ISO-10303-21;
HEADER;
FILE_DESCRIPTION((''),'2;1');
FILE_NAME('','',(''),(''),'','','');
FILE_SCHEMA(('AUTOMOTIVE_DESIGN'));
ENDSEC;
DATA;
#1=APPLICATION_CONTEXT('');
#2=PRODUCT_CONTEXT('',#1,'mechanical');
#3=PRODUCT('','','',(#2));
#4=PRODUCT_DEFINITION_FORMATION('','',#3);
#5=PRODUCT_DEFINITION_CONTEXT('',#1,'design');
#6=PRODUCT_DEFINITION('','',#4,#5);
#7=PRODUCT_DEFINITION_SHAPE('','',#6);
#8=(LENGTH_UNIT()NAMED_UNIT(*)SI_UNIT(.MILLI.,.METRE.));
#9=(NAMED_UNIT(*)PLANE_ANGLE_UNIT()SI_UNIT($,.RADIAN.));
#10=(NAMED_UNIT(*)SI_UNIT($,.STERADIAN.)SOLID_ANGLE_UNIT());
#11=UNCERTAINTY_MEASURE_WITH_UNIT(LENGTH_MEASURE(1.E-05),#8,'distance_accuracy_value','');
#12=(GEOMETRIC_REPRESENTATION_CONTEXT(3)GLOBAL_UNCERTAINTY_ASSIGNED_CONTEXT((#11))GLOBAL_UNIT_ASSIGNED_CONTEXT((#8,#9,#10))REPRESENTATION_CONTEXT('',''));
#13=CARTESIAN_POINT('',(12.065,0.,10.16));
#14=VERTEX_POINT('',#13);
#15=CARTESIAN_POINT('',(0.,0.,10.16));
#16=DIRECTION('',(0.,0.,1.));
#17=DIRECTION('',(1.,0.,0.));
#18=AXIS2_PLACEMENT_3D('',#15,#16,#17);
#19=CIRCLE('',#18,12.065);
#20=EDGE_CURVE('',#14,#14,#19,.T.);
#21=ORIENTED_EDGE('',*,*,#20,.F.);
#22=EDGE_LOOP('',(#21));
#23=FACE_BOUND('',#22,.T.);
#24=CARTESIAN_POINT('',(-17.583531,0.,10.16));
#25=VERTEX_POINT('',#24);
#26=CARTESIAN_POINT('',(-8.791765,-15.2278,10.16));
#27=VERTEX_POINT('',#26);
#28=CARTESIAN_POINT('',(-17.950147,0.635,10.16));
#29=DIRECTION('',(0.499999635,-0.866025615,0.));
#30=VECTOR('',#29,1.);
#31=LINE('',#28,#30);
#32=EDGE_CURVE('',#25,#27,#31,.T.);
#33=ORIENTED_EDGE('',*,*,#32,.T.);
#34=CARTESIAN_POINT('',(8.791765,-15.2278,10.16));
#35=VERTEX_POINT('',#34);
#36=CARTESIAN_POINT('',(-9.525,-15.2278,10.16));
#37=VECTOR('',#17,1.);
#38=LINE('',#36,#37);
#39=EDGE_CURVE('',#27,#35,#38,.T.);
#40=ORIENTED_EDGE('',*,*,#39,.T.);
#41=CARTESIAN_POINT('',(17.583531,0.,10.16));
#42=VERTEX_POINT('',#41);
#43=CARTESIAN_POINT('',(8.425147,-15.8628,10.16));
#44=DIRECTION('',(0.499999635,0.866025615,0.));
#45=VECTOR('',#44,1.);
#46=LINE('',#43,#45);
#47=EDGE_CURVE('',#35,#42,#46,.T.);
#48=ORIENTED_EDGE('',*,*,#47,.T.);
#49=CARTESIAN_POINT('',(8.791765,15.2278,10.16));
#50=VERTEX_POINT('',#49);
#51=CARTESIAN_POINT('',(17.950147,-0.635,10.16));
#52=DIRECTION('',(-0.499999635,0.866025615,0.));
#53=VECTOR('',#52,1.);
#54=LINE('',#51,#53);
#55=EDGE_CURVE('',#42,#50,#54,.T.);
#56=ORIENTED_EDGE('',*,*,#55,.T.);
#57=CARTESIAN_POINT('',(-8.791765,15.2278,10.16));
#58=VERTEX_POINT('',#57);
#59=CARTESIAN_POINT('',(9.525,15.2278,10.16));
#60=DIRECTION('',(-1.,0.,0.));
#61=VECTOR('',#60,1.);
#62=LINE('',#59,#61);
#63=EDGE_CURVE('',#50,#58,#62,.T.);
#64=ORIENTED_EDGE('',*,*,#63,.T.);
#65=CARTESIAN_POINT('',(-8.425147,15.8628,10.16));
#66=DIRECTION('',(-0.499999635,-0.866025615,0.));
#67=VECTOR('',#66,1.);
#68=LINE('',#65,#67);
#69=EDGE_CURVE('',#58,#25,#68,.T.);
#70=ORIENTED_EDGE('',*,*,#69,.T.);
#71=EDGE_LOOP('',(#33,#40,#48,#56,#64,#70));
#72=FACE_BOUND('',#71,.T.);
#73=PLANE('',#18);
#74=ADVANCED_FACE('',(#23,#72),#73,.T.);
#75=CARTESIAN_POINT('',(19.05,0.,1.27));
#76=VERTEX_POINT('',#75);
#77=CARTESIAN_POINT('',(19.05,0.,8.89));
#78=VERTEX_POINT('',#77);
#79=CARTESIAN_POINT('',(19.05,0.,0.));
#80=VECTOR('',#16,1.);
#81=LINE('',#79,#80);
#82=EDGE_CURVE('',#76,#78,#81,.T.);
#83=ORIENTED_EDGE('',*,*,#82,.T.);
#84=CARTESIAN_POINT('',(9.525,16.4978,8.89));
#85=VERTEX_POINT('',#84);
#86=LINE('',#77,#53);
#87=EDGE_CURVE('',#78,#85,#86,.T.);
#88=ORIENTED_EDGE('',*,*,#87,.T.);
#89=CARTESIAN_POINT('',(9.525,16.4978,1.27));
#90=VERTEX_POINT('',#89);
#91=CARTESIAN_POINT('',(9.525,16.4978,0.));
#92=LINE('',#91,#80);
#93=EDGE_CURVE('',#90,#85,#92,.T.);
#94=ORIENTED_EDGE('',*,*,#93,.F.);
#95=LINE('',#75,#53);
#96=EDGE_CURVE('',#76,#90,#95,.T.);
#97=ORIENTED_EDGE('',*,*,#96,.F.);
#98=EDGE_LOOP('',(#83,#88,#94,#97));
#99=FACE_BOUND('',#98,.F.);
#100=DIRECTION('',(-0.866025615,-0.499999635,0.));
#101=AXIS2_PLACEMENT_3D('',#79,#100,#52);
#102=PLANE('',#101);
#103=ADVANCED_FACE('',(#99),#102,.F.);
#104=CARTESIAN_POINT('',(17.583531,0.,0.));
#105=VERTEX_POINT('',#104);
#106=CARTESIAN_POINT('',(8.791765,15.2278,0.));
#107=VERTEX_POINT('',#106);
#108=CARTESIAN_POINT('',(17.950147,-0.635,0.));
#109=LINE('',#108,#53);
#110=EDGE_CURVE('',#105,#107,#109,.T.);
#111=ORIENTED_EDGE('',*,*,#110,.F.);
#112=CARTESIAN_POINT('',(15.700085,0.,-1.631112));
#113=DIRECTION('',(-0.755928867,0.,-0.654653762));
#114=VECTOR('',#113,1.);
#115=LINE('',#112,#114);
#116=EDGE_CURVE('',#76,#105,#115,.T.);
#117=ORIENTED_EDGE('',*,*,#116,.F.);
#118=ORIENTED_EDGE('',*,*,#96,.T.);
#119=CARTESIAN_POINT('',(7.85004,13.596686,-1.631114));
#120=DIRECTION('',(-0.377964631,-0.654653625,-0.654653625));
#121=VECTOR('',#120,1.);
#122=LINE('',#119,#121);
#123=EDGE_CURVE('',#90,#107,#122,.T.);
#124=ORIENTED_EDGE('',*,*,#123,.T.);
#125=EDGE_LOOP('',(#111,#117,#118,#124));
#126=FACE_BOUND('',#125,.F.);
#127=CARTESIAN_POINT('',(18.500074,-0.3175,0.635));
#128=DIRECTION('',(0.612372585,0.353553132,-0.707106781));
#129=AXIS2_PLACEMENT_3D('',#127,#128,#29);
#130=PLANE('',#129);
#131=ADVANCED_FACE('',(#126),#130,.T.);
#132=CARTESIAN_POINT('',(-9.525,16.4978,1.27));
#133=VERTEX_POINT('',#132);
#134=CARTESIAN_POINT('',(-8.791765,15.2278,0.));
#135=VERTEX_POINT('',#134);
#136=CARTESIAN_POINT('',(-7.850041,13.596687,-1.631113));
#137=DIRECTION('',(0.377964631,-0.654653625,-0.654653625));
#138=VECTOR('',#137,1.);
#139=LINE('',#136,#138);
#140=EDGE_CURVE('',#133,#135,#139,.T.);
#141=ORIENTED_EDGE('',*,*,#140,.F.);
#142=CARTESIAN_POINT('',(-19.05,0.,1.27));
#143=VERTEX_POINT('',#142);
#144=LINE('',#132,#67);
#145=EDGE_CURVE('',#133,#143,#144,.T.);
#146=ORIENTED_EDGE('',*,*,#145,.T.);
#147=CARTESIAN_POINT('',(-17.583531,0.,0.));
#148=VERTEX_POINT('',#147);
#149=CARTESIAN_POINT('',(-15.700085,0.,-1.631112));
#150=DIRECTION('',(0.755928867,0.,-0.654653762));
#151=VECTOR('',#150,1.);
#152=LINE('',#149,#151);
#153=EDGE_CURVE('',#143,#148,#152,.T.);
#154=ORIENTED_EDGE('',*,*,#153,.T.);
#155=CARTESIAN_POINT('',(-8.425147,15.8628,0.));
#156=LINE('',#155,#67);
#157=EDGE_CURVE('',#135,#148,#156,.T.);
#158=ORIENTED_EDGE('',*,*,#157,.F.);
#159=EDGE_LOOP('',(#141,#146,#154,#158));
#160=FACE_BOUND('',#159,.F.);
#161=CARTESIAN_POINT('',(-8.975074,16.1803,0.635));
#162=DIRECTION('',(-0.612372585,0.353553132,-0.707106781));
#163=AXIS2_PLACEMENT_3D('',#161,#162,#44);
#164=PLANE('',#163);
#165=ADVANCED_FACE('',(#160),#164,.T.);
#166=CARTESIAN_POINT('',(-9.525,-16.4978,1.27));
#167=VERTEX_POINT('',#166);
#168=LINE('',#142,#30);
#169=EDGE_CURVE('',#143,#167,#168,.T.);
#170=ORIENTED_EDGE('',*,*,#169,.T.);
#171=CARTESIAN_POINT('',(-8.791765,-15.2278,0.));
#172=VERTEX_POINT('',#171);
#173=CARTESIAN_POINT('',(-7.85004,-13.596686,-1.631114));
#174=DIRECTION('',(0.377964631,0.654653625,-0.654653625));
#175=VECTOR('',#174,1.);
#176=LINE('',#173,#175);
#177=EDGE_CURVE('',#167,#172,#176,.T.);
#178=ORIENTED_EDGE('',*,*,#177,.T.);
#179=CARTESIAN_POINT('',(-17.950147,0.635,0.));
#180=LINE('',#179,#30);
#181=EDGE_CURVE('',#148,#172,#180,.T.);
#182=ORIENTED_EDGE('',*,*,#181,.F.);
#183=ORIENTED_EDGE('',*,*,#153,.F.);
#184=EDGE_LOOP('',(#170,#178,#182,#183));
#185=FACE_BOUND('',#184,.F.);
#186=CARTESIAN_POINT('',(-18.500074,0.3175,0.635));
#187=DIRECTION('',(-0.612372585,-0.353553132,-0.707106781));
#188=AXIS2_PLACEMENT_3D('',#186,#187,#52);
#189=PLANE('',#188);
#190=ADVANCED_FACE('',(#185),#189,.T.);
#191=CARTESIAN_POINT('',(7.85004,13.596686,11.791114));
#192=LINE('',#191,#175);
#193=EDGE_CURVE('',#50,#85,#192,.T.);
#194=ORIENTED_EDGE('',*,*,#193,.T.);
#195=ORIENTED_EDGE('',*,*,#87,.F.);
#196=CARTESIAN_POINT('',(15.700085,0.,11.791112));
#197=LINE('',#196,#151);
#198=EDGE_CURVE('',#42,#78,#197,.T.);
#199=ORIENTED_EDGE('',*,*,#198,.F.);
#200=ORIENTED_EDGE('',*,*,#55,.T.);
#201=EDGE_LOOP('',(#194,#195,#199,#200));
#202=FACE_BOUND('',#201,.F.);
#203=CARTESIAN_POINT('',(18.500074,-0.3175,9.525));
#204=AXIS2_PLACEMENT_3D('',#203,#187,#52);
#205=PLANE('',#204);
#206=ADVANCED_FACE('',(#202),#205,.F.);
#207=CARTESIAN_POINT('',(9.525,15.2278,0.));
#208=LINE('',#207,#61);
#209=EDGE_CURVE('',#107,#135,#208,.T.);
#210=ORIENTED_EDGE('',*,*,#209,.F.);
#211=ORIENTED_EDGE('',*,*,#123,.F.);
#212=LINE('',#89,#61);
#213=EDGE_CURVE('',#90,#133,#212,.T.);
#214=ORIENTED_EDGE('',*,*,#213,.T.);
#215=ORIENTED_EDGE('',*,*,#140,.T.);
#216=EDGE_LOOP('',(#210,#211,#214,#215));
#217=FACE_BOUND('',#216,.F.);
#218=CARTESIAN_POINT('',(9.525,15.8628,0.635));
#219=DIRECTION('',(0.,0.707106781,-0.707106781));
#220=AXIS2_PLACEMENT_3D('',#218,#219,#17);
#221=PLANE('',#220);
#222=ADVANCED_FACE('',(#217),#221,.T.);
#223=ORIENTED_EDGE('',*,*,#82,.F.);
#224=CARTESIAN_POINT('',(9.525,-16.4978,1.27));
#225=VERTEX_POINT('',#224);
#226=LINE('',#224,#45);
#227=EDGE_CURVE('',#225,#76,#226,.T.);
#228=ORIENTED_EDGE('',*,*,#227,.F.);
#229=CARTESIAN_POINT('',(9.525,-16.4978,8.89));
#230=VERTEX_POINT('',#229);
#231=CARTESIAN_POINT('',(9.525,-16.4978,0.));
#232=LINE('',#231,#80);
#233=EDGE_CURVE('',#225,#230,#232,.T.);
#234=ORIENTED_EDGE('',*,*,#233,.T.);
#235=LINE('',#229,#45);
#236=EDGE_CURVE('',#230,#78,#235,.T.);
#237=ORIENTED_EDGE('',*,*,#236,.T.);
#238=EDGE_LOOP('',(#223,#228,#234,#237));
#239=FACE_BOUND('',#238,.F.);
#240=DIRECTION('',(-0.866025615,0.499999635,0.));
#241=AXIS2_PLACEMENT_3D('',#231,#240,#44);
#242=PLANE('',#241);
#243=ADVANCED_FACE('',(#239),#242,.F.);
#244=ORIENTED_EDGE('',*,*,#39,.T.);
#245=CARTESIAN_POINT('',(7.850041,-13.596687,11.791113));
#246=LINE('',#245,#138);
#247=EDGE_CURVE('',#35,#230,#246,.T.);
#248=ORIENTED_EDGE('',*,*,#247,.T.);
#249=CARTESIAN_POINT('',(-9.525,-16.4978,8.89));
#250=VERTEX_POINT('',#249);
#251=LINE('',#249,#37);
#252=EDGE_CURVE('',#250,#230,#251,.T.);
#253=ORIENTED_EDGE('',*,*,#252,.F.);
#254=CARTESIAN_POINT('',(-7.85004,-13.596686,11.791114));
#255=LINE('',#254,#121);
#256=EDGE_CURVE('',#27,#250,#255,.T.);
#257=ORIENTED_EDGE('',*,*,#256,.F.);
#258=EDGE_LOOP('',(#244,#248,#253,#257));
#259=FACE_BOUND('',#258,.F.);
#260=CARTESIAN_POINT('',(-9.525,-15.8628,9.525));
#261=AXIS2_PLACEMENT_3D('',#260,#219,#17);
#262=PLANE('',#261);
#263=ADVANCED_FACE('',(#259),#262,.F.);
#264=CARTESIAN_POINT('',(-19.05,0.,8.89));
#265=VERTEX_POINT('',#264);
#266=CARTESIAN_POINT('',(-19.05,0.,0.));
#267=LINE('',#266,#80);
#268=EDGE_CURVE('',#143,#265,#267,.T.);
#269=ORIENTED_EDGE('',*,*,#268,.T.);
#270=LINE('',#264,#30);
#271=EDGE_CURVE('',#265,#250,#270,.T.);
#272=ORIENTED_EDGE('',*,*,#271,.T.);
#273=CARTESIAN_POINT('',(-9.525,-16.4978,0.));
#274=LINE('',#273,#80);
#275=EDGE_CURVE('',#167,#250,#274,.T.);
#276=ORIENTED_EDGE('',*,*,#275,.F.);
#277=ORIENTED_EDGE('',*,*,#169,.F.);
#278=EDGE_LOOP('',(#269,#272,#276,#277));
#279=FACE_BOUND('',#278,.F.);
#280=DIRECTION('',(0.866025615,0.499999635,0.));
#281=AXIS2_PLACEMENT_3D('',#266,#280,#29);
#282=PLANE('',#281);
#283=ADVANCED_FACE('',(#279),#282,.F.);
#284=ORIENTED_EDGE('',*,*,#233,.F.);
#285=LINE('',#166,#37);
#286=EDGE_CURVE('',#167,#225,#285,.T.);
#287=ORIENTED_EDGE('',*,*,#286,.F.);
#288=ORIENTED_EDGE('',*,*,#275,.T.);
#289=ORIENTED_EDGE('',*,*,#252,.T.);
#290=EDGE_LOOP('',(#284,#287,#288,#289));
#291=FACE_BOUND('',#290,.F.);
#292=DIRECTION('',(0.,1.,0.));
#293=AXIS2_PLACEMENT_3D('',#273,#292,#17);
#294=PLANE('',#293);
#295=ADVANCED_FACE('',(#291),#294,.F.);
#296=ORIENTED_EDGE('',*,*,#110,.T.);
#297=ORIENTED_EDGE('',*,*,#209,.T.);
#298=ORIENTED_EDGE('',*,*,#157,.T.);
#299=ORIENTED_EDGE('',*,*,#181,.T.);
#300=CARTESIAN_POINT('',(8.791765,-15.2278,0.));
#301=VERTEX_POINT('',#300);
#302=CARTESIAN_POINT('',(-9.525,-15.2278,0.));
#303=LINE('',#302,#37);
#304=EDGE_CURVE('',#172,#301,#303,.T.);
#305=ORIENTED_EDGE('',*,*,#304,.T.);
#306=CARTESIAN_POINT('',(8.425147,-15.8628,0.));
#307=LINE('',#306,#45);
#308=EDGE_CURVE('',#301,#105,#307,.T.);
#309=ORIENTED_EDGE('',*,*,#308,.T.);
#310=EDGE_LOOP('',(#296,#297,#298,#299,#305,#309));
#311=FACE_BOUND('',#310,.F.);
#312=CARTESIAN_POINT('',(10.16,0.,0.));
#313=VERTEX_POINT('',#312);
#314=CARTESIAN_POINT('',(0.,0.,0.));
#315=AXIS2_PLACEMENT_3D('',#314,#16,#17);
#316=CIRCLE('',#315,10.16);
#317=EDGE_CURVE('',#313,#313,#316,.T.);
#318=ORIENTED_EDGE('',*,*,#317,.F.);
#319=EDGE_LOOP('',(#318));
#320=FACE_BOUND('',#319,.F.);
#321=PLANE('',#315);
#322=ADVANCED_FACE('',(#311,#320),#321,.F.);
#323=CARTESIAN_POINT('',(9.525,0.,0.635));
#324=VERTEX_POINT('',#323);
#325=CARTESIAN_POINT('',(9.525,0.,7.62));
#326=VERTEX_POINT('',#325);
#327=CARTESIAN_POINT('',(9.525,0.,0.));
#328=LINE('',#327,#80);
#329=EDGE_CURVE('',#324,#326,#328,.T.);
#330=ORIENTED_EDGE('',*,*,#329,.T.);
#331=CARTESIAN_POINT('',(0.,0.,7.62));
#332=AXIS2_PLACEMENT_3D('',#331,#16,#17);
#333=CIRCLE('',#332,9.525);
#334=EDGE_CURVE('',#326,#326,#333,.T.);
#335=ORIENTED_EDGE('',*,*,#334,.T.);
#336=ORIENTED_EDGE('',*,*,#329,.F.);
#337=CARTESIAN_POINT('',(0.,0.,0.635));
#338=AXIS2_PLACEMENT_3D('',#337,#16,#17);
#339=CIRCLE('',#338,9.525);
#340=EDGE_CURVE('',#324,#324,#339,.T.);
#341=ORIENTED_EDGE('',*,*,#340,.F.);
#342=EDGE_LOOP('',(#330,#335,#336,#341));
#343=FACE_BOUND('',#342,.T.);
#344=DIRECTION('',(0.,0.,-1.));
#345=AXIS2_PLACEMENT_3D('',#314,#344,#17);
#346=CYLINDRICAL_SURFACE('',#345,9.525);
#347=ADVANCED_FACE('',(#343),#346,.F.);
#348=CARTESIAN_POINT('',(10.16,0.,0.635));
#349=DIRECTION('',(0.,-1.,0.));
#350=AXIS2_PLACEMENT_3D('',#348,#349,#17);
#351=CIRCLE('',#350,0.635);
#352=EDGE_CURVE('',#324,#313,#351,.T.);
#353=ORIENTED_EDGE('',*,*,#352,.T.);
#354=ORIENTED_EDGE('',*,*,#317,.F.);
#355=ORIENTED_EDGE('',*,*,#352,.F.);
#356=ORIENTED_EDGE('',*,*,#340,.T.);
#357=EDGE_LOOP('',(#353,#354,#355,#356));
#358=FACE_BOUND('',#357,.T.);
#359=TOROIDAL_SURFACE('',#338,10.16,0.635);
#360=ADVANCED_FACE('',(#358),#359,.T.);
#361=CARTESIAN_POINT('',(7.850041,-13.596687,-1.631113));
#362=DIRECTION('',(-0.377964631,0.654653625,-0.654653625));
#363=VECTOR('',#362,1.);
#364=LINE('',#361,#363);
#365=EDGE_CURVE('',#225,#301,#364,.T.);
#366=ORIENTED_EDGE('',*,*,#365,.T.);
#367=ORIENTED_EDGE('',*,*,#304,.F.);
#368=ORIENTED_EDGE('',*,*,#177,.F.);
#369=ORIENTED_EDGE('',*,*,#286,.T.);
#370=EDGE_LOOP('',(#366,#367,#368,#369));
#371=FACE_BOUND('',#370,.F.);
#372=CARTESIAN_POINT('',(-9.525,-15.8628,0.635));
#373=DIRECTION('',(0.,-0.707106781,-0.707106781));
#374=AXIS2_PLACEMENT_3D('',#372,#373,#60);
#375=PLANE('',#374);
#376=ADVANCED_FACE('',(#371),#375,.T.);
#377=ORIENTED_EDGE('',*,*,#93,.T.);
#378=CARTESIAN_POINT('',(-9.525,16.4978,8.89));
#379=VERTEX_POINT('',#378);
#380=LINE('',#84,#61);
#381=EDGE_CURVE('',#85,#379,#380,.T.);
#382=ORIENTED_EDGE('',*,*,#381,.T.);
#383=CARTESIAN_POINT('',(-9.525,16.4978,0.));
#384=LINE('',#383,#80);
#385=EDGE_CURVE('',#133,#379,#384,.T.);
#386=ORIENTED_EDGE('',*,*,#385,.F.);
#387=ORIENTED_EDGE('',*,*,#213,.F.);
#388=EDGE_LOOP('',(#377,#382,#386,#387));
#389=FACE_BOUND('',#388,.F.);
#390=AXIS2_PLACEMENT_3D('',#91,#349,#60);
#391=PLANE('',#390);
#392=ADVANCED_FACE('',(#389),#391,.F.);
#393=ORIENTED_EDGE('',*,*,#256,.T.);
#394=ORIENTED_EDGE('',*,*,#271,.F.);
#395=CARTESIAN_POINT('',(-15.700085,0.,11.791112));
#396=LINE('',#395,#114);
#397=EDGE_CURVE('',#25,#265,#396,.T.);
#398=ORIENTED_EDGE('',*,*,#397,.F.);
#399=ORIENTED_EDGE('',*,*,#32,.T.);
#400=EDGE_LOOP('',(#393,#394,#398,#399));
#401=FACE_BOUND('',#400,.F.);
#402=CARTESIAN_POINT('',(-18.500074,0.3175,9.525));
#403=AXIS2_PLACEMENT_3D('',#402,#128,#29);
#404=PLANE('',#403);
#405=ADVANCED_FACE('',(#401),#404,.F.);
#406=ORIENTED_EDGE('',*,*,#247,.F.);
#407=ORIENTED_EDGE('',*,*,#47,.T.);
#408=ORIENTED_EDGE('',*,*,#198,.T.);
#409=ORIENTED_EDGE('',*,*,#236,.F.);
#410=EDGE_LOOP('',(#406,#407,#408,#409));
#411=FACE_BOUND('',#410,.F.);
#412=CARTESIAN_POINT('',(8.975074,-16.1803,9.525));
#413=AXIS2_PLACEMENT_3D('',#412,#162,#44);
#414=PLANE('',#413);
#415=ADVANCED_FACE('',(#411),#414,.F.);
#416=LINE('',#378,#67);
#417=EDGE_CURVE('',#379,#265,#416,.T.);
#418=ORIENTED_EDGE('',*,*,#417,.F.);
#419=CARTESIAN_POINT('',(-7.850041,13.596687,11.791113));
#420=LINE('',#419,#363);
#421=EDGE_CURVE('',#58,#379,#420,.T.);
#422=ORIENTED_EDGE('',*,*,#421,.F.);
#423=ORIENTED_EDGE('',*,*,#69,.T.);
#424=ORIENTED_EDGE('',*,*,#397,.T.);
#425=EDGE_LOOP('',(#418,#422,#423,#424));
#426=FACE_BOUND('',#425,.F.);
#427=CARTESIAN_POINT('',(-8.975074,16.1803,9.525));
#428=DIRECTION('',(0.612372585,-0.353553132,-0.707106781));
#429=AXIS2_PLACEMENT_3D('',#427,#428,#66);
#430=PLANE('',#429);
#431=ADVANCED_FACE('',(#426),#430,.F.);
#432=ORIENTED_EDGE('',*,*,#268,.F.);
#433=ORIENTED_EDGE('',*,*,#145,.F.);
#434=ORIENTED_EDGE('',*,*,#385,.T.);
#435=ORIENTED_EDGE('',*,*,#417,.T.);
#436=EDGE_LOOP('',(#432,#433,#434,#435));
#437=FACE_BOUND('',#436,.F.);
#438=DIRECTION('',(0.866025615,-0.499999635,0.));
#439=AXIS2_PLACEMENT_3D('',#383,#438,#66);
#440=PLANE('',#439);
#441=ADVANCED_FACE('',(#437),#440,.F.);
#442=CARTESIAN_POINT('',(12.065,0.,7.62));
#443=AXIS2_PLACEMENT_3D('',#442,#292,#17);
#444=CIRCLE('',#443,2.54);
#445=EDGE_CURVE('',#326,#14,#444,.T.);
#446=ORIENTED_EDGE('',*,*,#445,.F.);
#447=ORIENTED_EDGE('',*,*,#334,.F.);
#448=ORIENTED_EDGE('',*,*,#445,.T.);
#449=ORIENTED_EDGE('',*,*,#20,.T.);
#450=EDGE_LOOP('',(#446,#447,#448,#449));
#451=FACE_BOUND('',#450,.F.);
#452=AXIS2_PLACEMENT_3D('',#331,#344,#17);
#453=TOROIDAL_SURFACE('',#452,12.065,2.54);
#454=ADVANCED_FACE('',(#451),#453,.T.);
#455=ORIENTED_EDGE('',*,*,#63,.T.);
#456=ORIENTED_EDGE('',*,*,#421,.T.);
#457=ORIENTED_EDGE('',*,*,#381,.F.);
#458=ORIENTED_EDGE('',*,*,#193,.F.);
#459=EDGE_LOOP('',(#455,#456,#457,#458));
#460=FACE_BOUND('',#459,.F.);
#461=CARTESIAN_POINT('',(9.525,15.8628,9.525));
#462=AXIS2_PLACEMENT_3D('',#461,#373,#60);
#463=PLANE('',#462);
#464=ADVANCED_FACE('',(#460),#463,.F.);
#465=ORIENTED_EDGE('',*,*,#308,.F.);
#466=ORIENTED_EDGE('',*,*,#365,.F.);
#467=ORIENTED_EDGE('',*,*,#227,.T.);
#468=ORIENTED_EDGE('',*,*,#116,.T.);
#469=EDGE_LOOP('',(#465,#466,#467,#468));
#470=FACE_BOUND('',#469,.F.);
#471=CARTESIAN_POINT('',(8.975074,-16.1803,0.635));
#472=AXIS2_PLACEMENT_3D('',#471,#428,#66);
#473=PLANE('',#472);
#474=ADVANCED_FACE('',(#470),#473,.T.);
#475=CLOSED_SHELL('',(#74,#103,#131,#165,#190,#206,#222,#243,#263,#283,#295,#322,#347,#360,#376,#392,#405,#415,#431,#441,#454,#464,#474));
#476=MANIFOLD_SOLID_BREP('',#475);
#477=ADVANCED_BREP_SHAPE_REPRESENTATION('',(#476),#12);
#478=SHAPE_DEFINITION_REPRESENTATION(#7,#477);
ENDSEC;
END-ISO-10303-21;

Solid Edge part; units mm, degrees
sketch "Sketch1" plane through (0, 0, 0) normal (0, 0, 1) x (1, 0, 0)
  line L0 (-19.05, 0) -> (-9.525, -16.4978)
  line L1 (-9.525, -16.4978) -> (9.525, -16.4978)
  line L2 (9.525, -16.4978) -> (19.05, 0)
  line L3 (19.05, 0) -> (9.525, 16.4978)
  line L4 (9.525, 16.4978) -> (-9.525, 16.4978)
  line L5 (-9.525, 16.4978) -> (-19.05, 0)
  circle A0 centre (0, 0) radius 9.525
extrude "Protrusion1" add sketch "Sketch1" along normal blind 10.16
fillet "Round_1" radius 2.54 1 edges at (-9.525, 0, 10.16)
fillet "Round1" radius 0.635 1 edges at (-9.525, 0, 0)
chamfer "Chamfer_3" distance 1.27 angle 45 6 edges at (14.2875, 8.2489, 10.16) (14.2875, -8.2489, 10.16) (0, -16.4978, 10.16) (-14.2875, -8.2489, 10.16) (-14.2875, 8.2489, 10.16) (0, 16.4978, 10.16)
chamfer "Chamfer1" distance 1.27 angle 45 6 edges at (14.2875, -8.2489, 0) (0, -16.4978, 0) (-14.2875, -8.2489, 0) (-14.2875, 8.2489, 0) (0, 16.4978, 0) (14.2875, 8.2489, 0)
